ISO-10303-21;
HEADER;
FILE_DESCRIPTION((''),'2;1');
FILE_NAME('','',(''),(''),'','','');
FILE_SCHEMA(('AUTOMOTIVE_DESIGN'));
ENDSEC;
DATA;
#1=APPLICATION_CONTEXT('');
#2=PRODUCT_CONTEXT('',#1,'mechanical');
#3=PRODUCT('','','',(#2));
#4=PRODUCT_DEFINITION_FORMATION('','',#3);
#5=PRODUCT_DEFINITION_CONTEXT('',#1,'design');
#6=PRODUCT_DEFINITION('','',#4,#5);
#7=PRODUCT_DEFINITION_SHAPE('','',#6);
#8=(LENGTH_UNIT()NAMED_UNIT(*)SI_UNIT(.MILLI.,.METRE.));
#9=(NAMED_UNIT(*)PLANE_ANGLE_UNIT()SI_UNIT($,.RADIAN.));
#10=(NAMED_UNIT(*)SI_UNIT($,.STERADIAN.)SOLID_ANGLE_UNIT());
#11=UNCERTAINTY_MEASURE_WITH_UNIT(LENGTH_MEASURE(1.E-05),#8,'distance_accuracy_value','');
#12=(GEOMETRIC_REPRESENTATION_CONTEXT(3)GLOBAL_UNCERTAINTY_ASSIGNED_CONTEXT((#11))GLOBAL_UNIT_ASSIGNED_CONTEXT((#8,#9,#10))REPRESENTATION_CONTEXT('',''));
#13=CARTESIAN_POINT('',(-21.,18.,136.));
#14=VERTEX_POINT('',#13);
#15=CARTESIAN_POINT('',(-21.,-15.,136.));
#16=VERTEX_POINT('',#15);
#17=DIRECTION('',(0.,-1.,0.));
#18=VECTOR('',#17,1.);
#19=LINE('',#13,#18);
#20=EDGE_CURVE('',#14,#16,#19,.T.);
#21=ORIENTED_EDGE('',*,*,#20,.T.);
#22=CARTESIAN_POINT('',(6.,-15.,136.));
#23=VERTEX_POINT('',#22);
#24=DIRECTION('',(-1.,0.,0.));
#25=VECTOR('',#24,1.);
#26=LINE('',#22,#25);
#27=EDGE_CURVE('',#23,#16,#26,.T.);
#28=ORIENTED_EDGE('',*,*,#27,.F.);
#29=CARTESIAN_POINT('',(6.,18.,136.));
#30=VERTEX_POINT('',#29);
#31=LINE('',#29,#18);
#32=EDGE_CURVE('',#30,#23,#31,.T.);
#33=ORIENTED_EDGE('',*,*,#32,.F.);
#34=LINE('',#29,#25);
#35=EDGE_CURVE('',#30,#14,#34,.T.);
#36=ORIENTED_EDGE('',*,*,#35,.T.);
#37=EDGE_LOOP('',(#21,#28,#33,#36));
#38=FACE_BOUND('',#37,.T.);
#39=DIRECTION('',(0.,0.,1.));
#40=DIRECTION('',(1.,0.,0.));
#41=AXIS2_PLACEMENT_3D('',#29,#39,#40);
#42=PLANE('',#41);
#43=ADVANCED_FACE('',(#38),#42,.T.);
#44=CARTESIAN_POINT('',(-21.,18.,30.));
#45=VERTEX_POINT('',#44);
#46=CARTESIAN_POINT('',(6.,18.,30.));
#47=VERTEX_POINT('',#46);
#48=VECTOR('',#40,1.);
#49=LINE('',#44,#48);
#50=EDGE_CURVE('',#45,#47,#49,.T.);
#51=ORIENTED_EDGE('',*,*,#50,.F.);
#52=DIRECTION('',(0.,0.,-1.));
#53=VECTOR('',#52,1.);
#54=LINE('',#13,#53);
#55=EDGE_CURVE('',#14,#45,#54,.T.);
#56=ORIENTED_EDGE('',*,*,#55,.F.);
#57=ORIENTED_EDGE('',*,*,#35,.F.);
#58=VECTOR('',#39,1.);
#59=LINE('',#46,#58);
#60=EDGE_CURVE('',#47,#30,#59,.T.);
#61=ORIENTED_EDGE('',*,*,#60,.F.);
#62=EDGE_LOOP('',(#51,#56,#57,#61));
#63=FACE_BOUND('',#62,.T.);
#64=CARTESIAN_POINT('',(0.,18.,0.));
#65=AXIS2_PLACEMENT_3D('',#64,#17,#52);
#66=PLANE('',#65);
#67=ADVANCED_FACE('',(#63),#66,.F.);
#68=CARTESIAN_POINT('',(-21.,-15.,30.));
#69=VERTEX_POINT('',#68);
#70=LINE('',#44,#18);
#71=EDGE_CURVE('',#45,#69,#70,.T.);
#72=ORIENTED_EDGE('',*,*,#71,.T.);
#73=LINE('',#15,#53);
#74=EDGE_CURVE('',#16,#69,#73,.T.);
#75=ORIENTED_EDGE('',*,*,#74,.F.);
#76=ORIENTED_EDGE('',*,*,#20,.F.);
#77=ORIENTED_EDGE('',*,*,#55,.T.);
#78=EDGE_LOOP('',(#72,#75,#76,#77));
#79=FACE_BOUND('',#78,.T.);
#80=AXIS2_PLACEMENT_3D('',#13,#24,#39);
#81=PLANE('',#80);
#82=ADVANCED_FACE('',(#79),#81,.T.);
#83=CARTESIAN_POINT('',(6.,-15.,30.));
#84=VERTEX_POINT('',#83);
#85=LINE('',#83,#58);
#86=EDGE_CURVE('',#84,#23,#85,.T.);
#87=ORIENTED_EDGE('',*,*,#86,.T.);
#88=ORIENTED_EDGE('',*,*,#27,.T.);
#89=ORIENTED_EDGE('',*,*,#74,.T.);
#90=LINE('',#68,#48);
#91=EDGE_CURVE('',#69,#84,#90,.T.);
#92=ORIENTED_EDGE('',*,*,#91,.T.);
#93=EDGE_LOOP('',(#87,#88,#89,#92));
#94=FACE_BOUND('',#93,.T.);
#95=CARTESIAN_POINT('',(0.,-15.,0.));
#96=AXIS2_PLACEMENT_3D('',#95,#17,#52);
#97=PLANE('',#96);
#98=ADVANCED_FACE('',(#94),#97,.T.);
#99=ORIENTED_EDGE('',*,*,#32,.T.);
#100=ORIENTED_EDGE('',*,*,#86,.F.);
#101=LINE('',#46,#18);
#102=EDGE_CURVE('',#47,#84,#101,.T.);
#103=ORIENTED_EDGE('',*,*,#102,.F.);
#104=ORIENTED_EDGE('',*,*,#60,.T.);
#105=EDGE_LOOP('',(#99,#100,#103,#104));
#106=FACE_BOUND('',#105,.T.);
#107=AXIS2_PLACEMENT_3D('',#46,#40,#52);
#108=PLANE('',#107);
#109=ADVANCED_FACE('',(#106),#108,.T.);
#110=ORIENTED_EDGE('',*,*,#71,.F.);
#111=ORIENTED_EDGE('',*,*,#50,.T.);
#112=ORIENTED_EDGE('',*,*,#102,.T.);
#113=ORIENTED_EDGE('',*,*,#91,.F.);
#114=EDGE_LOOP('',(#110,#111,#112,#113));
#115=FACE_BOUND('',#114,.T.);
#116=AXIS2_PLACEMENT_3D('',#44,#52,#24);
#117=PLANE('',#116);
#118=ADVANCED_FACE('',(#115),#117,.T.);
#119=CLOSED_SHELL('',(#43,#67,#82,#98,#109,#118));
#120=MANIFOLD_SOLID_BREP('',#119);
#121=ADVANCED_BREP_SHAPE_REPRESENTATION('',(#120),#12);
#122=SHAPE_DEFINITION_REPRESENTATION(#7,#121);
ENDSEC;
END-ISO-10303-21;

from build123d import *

# Parameters (mm, degrees)
SKETCH1_W           = 27
SKETCH1_H           = 106
BOSS_EXTRUDE1_DEPTH = 33


with BuildPart() as part:
    # Sketch1 → Boss-Extrude1 (new body)
    with BuildSketch(Plane.XZ.offset(15)):
        with Locations((-7.5, 83)):
            Rectangle(SKETCH1_W, SKETCH1_H)
    extrude(amount=-BOSS_EXTRUDE1_DEPTH)


solid = part.part
